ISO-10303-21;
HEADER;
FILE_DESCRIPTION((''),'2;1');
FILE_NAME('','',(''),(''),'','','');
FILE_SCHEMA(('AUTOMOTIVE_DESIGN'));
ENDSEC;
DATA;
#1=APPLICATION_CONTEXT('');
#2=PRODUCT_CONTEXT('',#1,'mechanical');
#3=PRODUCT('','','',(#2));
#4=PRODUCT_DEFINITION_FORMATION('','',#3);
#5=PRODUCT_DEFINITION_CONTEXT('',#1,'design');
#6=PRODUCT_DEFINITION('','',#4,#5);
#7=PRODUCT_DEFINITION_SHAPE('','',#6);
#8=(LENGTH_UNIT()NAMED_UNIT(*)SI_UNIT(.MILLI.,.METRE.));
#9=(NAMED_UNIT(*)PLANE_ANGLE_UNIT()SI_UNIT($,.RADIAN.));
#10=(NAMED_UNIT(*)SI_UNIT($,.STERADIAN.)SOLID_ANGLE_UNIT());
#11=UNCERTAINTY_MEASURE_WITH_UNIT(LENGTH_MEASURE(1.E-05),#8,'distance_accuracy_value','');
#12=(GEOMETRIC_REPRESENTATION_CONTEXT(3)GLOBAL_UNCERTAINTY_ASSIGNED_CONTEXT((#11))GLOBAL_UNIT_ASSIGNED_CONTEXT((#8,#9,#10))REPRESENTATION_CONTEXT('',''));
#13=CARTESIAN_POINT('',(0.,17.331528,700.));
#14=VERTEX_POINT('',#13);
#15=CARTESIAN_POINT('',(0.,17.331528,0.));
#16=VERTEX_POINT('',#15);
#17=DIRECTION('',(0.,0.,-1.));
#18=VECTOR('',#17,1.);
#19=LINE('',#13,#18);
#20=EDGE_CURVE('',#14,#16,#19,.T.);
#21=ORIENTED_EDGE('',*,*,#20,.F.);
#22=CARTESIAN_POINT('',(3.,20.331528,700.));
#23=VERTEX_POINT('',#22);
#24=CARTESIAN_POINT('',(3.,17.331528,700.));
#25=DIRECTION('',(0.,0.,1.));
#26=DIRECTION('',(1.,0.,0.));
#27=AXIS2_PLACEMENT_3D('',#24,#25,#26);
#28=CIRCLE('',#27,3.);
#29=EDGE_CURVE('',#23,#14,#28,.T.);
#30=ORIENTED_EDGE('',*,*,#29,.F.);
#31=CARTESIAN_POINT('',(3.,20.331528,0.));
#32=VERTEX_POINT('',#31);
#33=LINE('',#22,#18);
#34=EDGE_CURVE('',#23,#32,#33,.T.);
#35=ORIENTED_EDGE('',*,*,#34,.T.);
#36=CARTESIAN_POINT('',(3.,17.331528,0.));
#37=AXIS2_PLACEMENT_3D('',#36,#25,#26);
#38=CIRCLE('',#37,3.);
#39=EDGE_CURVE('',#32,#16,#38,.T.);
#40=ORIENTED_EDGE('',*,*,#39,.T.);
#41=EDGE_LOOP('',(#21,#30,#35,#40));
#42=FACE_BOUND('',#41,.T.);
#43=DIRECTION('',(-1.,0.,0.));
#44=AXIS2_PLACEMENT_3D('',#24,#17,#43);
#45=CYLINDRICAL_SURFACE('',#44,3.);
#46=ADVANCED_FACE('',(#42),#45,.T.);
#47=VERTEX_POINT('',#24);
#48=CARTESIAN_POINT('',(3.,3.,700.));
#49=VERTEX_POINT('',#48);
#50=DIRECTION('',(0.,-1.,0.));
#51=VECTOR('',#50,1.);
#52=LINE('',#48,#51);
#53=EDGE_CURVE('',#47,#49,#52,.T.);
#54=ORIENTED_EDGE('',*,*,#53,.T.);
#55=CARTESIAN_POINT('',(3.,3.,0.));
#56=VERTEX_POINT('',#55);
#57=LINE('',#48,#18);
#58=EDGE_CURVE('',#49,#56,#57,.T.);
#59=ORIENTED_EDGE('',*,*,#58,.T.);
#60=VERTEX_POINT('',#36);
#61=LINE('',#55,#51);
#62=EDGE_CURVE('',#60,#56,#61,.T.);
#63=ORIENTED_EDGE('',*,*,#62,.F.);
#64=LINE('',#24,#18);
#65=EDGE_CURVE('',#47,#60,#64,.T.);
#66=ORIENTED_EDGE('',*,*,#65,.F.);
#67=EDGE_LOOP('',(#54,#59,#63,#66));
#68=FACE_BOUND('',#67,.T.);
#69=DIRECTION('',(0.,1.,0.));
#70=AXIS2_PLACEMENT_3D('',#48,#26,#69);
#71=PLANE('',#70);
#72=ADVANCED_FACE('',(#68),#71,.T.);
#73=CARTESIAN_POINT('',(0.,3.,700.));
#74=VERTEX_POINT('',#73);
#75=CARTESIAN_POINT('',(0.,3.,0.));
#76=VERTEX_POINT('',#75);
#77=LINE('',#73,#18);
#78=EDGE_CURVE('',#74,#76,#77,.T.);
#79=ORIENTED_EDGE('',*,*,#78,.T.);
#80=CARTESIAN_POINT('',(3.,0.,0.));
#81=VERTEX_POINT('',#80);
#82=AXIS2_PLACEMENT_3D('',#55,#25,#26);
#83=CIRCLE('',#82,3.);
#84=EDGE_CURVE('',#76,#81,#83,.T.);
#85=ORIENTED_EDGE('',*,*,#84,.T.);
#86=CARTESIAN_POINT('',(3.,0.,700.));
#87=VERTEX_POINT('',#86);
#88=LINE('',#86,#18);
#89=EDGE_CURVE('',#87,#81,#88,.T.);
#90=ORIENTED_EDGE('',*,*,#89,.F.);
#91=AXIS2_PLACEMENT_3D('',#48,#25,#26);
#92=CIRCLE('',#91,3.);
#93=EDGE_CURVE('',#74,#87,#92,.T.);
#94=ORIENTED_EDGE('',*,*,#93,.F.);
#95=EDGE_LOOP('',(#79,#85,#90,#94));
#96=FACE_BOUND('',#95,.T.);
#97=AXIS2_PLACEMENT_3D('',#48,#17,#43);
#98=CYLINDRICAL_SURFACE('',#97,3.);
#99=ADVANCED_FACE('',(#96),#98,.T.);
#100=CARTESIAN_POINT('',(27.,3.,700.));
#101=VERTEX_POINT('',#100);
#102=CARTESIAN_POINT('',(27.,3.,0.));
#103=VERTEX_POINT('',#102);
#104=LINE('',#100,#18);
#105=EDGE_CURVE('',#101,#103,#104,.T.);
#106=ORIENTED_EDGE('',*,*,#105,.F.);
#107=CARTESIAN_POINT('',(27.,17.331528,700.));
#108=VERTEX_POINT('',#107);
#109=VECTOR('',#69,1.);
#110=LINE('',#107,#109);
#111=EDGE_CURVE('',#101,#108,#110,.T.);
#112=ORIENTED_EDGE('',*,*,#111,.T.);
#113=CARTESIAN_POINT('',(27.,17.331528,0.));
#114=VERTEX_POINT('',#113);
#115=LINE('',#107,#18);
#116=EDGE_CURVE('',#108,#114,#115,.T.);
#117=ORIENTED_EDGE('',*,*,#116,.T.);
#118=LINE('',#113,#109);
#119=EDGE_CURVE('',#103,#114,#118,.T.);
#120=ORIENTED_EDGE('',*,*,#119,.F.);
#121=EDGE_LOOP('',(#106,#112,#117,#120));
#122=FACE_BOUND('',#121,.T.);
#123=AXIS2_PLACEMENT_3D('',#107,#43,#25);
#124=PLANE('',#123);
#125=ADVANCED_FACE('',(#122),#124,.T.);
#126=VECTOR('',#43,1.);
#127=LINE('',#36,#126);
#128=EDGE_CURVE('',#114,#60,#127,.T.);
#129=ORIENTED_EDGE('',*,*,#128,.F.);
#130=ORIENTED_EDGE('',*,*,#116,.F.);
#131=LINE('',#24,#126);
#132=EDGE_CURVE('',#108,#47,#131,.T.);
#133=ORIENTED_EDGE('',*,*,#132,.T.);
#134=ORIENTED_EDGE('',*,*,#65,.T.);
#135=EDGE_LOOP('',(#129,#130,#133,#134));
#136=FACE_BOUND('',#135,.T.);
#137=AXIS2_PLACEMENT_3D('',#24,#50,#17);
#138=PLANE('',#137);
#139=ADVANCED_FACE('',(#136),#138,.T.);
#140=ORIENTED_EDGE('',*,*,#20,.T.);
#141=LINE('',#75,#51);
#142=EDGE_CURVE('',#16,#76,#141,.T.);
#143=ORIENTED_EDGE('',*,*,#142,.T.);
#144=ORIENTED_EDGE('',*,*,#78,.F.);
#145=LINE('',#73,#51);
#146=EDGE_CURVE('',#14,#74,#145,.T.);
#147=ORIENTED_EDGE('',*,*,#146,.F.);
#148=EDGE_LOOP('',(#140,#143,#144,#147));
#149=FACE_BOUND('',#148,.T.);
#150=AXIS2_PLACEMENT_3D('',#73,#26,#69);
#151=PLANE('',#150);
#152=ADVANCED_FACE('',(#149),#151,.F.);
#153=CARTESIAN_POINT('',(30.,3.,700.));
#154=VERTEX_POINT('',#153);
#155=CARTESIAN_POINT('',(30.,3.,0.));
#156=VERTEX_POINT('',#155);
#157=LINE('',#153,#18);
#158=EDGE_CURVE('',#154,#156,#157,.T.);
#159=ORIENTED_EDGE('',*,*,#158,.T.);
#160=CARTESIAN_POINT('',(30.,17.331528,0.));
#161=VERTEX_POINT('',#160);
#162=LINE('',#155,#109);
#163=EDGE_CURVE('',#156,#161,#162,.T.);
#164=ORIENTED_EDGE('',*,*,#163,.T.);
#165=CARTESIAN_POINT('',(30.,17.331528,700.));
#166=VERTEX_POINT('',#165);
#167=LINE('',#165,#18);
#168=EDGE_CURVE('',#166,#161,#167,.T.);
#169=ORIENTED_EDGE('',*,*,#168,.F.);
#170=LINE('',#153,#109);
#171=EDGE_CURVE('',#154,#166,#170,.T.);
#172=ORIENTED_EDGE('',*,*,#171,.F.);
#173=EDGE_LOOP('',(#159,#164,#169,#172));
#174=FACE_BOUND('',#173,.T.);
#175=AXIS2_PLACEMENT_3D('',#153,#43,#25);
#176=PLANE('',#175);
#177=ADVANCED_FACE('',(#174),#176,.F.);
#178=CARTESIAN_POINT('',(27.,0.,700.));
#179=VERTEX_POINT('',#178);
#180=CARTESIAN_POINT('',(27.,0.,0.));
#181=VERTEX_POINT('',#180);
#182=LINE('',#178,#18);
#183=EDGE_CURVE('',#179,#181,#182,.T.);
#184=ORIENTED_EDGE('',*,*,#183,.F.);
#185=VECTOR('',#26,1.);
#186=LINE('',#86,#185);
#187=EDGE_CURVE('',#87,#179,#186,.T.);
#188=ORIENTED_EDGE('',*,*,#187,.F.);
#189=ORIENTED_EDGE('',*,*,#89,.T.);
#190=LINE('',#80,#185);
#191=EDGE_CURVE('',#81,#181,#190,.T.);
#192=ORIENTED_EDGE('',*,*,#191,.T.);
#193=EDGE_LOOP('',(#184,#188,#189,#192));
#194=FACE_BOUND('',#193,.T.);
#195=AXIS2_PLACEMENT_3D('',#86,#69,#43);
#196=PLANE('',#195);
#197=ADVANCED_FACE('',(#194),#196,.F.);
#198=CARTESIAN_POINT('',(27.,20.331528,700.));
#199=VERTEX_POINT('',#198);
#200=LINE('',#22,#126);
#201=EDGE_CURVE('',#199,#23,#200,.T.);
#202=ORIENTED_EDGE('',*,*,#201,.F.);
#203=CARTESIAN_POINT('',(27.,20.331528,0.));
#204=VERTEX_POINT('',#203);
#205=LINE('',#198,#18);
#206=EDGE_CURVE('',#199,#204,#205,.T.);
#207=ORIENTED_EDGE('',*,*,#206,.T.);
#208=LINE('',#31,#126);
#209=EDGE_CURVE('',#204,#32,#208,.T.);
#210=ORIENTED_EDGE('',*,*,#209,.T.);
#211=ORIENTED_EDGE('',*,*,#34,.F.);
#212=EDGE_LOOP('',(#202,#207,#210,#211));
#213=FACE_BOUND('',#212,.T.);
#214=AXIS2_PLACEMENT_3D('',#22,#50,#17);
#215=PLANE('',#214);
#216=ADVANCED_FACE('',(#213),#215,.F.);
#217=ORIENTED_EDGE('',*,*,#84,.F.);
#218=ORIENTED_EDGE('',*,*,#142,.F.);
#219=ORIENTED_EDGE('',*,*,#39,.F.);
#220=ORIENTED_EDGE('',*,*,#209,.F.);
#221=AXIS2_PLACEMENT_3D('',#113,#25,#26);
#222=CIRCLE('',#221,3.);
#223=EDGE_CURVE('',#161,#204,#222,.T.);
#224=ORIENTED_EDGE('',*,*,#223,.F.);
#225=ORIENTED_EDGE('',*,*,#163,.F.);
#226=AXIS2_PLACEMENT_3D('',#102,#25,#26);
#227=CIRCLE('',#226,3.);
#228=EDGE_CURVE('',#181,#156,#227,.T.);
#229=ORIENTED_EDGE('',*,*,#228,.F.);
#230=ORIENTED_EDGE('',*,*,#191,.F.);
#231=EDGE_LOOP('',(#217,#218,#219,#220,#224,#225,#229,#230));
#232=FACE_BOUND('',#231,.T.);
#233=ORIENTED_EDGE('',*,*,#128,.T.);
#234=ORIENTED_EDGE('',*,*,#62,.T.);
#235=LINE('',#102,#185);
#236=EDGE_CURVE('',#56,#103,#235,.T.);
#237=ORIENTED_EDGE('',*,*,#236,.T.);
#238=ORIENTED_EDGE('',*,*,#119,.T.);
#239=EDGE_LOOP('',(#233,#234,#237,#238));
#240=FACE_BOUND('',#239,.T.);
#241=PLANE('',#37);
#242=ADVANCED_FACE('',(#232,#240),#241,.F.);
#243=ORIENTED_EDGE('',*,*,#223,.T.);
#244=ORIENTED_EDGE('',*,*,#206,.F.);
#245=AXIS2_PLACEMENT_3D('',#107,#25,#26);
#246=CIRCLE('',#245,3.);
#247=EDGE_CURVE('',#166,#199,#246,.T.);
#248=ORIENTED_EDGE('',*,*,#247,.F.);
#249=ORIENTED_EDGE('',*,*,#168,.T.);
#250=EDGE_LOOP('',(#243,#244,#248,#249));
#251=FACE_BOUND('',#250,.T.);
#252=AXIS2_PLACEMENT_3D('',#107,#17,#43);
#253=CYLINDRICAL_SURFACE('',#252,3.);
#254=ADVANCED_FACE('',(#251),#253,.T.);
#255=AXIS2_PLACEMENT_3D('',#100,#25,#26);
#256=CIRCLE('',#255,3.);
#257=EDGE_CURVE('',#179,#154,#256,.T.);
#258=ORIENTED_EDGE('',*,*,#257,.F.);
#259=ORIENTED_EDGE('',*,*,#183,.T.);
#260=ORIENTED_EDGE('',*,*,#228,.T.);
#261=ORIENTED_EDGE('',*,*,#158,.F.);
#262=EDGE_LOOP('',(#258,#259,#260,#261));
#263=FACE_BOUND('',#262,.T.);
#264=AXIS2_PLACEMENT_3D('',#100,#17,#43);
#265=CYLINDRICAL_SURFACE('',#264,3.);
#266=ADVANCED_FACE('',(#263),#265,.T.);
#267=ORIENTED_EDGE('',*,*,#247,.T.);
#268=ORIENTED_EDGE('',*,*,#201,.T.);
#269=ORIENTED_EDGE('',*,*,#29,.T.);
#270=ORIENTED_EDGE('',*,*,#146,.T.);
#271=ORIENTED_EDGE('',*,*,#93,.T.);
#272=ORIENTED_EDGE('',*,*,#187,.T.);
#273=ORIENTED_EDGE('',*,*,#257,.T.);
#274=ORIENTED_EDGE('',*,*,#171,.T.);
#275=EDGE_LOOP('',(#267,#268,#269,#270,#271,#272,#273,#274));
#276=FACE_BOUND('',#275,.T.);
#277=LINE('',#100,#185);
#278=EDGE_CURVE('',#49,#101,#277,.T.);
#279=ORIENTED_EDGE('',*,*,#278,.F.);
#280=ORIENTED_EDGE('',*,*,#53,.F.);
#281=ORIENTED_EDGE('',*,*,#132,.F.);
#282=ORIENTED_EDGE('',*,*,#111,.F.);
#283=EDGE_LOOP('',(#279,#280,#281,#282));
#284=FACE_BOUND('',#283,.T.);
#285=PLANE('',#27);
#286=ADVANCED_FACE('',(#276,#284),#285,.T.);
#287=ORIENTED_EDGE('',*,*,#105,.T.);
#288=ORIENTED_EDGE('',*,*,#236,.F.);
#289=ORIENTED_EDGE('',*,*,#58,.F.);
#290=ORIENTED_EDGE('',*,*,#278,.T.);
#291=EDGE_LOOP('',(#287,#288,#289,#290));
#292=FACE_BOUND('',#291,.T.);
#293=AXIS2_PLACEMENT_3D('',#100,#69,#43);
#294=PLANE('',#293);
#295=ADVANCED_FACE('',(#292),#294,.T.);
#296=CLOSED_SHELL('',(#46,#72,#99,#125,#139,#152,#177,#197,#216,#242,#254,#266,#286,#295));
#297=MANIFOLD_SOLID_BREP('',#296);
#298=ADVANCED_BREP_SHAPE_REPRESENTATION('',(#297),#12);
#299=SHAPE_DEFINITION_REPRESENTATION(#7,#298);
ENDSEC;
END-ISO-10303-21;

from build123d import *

# Parameters (mm, degrees)
SKETCH1_W           = 24
SKETCH1_H           = 14.33152787
BOSS_EXTRUDE1_DEPTH = 700


with BuildPart() as part:
    # Sketch1 → Boss-Extrude1 (new body)
    with BuildSketch(Plane.XY):
        with BuildLine():
            Line((3, 0), (27, 0))
            ThreePointArc((27, 0), (29.121320344, 0.878679656), (30, 3))
            Line((30, 3), (30, 17.33152787))
            ThreePointArc((30, 17.33152787), (29.121320344, 19.452848213), (27, 20.33152787))
            Line((27, 20.33152787), (3, 20.33152787))
            ThreePointArc((3, 20.33152787), (0.878679656, 19.452848213), (0, 17.33152787))
            Line((0, 17.33152787), (0, 3))
            ThreePointArc((0, 3), (0.878679656, 0.878679656), (3, 0))
        make_face()
        with Locations((15, 10.165763935)):
            Rectangle(SKETCH1_W, SKETCH1_H, mode=Mode.SUBTRACT)
    extrude(amount=BOSS_EXTRUDE1_DEPTH)


solid = part.part
